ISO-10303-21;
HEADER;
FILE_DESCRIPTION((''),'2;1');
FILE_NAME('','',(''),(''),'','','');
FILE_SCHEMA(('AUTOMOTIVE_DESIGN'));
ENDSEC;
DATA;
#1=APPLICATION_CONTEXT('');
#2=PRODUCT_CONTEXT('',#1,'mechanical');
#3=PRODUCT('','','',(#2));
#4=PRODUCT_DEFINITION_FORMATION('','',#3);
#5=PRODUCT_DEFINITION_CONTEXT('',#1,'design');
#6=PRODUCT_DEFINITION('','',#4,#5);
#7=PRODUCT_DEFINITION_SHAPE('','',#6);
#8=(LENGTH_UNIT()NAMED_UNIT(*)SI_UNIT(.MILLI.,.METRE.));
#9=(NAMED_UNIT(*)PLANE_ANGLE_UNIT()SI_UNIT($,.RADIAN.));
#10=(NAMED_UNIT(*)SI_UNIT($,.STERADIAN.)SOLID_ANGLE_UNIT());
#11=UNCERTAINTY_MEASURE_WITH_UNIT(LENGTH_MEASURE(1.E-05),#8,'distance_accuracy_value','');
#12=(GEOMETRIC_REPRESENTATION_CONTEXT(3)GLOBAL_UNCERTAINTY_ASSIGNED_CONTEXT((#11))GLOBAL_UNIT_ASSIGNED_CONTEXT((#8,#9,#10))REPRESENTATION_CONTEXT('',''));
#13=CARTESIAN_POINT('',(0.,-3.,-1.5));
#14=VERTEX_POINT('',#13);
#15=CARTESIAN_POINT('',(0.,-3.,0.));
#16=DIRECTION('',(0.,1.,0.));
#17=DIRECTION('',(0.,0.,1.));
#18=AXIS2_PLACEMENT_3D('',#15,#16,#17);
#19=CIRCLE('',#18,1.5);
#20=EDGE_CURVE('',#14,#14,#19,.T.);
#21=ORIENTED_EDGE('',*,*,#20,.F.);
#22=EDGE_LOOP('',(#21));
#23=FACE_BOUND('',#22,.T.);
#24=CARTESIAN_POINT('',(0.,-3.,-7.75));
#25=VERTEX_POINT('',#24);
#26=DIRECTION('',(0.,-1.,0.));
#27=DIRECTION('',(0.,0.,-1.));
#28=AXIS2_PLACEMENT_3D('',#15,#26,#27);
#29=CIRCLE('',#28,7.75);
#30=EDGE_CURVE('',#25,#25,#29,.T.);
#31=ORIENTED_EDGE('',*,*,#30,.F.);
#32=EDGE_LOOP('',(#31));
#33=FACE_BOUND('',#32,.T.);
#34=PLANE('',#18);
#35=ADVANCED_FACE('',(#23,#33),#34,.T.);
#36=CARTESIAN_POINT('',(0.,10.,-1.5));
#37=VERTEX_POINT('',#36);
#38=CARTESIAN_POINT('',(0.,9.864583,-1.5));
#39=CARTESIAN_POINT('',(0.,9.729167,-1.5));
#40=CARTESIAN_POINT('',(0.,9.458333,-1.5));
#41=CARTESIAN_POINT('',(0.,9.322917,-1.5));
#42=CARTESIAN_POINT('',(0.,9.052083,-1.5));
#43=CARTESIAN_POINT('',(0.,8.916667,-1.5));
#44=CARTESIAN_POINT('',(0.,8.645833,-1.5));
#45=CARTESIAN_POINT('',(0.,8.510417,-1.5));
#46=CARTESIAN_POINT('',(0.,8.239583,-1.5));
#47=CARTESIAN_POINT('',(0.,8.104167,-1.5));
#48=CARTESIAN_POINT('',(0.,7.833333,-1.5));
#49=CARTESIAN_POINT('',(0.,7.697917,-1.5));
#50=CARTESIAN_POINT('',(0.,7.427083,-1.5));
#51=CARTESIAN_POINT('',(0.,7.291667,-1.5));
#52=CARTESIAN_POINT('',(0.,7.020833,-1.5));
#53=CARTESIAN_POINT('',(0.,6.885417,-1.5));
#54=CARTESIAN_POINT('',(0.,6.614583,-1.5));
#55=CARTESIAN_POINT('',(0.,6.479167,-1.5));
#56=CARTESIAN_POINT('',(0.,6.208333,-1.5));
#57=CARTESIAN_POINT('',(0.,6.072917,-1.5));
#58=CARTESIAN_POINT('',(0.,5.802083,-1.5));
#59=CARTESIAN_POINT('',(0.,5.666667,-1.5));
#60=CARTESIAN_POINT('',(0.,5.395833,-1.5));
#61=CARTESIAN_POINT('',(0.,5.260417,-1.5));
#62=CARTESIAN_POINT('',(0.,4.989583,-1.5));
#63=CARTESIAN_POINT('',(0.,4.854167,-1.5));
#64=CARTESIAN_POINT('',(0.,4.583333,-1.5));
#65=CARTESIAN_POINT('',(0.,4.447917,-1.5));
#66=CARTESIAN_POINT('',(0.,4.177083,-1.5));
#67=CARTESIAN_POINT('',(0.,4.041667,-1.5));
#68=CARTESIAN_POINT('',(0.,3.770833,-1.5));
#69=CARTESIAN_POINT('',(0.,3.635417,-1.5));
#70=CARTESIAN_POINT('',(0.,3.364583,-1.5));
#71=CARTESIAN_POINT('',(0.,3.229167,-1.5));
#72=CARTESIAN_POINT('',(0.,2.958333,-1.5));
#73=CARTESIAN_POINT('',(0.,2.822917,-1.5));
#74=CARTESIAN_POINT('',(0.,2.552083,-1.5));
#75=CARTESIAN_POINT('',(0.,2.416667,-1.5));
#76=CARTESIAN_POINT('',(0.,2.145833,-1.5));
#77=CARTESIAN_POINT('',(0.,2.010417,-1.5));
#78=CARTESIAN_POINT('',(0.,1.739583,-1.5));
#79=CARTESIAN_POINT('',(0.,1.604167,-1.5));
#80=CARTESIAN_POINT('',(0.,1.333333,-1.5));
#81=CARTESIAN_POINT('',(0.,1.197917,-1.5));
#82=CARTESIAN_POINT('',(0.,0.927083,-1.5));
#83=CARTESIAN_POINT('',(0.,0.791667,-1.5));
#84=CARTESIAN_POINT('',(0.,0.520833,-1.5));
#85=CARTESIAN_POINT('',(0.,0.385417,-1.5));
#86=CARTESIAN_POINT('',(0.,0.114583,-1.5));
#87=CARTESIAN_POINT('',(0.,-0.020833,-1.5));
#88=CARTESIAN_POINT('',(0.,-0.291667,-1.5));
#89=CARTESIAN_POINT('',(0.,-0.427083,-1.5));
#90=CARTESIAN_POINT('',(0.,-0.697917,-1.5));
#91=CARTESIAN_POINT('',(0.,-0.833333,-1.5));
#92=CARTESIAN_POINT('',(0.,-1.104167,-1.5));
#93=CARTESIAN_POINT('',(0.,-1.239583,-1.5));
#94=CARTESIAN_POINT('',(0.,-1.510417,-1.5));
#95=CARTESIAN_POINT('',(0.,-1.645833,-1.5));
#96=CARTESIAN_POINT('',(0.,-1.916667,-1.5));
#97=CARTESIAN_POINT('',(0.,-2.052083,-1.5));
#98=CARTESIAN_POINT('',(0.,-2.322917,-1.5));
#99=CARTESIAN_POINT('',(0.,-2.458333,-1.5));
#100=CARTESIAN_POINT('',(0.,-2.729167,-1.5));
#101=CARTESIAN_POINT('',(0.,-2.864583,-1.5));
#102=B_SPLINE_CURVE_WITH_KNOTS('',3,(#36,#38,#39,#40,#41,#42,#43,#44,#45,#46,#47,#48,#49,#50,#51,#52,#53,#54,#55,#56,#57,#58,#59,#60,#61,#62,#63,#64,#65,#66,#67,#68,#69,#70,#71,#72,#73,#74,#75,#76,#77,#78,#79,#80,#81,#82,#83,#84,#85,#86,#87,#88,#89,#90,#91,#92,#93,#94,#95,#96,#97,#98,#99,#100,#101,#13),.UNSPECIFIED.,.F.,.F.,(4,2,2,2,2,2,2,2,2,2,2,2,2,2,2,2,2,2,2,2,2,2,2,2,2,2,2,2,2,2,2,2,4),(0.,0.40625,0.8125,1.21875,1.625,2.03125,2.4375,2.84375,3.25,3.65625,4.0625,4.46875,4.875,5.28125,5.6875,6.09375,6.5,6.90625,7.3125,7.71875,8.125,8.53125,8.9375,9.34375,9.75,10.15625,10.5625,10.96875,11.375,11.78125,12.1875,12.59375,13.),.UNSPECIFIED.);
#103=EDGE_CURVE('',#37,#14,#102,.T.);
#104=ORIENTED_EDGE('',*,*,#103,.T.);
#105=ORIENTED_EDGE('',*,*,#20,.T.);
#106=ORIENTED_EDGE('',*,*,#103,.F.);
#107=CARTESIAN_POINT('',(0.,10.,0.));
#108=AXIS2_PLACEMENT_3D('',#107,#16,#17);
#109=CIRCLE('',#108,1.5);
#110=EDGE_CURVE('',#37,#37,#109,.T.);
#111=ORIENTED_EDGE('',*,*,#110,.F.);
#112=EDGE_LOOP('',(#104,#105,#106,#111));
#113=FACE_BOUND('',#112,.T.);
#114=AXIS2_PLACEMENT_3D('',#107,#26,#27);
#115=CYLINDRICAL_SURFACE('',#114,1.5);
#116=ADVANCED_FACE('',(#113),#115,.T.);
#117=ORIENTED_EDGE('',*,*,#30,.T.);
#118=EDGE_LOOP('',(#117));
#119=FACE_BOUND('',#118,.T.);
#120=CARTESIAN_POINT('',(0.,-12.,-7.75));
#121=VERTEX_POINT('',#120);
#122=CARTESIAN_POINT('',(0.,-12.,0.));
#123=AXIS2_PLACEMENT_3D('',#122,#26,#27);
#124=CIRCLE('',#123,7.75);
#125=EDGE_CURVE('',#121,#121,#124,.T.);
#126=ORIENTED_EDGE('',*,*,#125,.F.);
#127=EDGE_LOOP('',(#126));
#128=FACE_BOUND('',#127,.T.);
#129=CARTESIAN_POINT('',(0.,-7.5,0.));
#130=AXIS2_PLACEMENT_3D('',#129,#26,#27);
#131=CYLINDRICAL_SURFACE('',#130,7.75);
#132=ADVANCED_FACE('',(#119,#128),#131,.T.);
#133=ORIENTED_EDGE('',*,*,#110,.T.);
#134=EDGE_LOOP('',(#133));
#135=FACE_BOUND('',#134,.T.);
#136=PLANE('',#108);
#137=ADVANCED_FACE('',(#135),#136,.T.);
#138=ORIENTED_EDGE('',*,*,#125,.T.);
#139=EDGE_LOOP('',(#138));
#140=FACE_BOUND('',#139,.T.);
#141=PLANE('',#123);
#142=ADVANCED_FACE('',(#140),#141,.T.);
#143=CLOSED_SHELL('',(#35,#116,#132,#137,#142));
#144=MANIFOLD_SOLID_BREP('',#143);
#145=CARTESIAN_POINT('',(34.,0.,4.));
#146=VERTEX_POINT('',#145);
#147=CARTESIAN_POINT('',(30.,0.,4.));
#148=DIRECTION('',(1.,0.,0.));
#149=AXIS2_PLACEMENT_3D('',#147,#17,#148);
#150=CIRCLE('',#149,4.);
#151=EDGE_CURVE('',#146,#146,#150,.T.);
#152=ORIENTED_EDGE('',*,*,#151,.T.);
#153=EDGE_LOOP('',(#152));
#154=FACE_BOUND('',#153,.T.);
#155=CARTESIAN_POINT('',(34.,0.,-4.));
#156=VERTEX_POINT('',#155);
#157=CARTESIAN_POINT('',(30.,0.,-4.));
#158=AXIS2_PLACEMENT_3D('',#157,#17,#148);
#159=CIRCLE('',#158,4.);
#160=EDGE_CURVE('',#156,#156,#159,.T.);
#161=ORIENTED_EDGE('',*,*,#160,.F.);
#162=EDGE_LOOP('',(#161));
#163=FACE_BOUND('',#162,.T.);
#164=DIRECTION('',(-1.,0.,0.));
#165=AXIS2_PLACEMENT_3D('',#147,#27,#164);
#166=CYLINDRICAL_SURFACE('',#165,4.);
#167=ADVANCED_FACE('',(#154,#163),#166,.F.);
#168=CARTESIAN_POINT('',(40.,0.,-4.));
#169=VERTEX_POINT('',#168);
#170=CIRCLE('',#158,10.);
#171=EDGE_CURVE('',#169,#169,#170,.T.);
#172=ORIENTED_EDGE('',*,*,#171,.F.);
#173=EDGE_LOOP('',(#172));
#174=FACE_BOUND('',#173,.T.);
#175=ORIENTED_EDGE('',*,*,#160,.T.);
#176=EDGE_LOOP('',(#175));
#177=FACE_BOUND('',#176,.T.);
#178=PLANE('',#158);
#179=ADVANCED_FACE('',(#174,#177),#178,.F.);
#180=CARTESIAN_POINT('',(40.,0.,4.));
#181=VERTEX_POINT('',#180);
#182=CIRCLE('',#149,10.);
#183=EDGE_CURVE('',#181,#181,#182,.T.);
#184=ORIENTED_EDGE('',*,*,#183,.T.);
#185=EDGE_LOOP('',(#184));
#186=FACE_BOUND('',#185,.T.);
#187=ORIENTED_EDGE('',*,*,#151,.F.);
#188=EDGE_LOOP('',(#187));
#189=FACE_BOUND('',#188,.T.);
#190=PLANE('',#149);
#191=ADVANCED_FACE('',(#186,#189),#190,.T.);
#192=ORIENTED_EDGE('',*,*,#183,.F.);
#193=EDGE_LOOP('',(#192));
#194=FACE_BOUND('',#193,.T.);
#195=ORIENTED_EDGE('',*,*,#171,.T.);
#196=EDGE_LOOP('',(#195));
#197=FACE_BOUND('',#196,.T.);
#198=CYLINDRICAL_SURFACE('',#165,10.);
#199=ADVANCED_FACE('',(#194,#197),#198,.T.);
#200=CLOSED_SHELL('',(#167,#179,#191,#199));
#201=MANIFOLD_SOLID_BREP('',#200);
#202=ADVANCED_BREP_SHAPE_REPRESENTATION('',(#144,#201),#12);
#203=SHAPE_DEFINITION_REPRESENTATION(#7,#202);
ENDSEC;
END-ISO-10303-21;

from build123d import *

# Parameters (mm, degrees)
SKETCH3_R           = 10
SKETCH3_R_2         = 4
ROD_HOLDER_DEPTH    = 4
SKETCH4_W           = 7.75
SKETCH4_H           = 9
SKETCH5_R           = 1.5
BOSS_EXTRUDE2_DEPTH = 13


with BuildPart() as part:
    # Sketch3 → rod holder (new, symmetric)
    with BuildSketch(Plane.XY):
        with Locations((30, 0)):
            Circle(SKETCH3_R)
        with Locations((30, 0)):
            Circle(SKETCH3_R_2, mode=Mode.SUBTRACT)
    extrude(amount=ROD_HOLDER_DEPTH, both=True)


with BuildPart() as body_2:
    # Sketch4 → Revolve5 (revolve)
    with BuildSketch(Plane.XY, mode=Mode.PRIVATE) as revolve5_sk:
        with Locations((3.875, -7.5)):
            Rectangle(SKETCH4_W, SKETCH4_H)
    revolve(revolve5_sk.sketch.rotate(Axis((0, -7.5, 0), (0, 1, 0)), 90), axis=Axis((0, -7.5, 0), (0, 1, 0)))

    # Sketch5 → Boss-Extrude2 (add)
    with BuildSketch(Plane(origin=(0, -3, 0), x_dir=(1, 0, 0), z_dir=(0, 1, 0))):
        with Locations(Location((0, 0, 0), (0, 0, 90))):
            Circle(SKETCH5_R)
    extrude(amount=BOSS_EXTRUDE2_DEPTH)


solid = Compound([part.part, body_2.part])
